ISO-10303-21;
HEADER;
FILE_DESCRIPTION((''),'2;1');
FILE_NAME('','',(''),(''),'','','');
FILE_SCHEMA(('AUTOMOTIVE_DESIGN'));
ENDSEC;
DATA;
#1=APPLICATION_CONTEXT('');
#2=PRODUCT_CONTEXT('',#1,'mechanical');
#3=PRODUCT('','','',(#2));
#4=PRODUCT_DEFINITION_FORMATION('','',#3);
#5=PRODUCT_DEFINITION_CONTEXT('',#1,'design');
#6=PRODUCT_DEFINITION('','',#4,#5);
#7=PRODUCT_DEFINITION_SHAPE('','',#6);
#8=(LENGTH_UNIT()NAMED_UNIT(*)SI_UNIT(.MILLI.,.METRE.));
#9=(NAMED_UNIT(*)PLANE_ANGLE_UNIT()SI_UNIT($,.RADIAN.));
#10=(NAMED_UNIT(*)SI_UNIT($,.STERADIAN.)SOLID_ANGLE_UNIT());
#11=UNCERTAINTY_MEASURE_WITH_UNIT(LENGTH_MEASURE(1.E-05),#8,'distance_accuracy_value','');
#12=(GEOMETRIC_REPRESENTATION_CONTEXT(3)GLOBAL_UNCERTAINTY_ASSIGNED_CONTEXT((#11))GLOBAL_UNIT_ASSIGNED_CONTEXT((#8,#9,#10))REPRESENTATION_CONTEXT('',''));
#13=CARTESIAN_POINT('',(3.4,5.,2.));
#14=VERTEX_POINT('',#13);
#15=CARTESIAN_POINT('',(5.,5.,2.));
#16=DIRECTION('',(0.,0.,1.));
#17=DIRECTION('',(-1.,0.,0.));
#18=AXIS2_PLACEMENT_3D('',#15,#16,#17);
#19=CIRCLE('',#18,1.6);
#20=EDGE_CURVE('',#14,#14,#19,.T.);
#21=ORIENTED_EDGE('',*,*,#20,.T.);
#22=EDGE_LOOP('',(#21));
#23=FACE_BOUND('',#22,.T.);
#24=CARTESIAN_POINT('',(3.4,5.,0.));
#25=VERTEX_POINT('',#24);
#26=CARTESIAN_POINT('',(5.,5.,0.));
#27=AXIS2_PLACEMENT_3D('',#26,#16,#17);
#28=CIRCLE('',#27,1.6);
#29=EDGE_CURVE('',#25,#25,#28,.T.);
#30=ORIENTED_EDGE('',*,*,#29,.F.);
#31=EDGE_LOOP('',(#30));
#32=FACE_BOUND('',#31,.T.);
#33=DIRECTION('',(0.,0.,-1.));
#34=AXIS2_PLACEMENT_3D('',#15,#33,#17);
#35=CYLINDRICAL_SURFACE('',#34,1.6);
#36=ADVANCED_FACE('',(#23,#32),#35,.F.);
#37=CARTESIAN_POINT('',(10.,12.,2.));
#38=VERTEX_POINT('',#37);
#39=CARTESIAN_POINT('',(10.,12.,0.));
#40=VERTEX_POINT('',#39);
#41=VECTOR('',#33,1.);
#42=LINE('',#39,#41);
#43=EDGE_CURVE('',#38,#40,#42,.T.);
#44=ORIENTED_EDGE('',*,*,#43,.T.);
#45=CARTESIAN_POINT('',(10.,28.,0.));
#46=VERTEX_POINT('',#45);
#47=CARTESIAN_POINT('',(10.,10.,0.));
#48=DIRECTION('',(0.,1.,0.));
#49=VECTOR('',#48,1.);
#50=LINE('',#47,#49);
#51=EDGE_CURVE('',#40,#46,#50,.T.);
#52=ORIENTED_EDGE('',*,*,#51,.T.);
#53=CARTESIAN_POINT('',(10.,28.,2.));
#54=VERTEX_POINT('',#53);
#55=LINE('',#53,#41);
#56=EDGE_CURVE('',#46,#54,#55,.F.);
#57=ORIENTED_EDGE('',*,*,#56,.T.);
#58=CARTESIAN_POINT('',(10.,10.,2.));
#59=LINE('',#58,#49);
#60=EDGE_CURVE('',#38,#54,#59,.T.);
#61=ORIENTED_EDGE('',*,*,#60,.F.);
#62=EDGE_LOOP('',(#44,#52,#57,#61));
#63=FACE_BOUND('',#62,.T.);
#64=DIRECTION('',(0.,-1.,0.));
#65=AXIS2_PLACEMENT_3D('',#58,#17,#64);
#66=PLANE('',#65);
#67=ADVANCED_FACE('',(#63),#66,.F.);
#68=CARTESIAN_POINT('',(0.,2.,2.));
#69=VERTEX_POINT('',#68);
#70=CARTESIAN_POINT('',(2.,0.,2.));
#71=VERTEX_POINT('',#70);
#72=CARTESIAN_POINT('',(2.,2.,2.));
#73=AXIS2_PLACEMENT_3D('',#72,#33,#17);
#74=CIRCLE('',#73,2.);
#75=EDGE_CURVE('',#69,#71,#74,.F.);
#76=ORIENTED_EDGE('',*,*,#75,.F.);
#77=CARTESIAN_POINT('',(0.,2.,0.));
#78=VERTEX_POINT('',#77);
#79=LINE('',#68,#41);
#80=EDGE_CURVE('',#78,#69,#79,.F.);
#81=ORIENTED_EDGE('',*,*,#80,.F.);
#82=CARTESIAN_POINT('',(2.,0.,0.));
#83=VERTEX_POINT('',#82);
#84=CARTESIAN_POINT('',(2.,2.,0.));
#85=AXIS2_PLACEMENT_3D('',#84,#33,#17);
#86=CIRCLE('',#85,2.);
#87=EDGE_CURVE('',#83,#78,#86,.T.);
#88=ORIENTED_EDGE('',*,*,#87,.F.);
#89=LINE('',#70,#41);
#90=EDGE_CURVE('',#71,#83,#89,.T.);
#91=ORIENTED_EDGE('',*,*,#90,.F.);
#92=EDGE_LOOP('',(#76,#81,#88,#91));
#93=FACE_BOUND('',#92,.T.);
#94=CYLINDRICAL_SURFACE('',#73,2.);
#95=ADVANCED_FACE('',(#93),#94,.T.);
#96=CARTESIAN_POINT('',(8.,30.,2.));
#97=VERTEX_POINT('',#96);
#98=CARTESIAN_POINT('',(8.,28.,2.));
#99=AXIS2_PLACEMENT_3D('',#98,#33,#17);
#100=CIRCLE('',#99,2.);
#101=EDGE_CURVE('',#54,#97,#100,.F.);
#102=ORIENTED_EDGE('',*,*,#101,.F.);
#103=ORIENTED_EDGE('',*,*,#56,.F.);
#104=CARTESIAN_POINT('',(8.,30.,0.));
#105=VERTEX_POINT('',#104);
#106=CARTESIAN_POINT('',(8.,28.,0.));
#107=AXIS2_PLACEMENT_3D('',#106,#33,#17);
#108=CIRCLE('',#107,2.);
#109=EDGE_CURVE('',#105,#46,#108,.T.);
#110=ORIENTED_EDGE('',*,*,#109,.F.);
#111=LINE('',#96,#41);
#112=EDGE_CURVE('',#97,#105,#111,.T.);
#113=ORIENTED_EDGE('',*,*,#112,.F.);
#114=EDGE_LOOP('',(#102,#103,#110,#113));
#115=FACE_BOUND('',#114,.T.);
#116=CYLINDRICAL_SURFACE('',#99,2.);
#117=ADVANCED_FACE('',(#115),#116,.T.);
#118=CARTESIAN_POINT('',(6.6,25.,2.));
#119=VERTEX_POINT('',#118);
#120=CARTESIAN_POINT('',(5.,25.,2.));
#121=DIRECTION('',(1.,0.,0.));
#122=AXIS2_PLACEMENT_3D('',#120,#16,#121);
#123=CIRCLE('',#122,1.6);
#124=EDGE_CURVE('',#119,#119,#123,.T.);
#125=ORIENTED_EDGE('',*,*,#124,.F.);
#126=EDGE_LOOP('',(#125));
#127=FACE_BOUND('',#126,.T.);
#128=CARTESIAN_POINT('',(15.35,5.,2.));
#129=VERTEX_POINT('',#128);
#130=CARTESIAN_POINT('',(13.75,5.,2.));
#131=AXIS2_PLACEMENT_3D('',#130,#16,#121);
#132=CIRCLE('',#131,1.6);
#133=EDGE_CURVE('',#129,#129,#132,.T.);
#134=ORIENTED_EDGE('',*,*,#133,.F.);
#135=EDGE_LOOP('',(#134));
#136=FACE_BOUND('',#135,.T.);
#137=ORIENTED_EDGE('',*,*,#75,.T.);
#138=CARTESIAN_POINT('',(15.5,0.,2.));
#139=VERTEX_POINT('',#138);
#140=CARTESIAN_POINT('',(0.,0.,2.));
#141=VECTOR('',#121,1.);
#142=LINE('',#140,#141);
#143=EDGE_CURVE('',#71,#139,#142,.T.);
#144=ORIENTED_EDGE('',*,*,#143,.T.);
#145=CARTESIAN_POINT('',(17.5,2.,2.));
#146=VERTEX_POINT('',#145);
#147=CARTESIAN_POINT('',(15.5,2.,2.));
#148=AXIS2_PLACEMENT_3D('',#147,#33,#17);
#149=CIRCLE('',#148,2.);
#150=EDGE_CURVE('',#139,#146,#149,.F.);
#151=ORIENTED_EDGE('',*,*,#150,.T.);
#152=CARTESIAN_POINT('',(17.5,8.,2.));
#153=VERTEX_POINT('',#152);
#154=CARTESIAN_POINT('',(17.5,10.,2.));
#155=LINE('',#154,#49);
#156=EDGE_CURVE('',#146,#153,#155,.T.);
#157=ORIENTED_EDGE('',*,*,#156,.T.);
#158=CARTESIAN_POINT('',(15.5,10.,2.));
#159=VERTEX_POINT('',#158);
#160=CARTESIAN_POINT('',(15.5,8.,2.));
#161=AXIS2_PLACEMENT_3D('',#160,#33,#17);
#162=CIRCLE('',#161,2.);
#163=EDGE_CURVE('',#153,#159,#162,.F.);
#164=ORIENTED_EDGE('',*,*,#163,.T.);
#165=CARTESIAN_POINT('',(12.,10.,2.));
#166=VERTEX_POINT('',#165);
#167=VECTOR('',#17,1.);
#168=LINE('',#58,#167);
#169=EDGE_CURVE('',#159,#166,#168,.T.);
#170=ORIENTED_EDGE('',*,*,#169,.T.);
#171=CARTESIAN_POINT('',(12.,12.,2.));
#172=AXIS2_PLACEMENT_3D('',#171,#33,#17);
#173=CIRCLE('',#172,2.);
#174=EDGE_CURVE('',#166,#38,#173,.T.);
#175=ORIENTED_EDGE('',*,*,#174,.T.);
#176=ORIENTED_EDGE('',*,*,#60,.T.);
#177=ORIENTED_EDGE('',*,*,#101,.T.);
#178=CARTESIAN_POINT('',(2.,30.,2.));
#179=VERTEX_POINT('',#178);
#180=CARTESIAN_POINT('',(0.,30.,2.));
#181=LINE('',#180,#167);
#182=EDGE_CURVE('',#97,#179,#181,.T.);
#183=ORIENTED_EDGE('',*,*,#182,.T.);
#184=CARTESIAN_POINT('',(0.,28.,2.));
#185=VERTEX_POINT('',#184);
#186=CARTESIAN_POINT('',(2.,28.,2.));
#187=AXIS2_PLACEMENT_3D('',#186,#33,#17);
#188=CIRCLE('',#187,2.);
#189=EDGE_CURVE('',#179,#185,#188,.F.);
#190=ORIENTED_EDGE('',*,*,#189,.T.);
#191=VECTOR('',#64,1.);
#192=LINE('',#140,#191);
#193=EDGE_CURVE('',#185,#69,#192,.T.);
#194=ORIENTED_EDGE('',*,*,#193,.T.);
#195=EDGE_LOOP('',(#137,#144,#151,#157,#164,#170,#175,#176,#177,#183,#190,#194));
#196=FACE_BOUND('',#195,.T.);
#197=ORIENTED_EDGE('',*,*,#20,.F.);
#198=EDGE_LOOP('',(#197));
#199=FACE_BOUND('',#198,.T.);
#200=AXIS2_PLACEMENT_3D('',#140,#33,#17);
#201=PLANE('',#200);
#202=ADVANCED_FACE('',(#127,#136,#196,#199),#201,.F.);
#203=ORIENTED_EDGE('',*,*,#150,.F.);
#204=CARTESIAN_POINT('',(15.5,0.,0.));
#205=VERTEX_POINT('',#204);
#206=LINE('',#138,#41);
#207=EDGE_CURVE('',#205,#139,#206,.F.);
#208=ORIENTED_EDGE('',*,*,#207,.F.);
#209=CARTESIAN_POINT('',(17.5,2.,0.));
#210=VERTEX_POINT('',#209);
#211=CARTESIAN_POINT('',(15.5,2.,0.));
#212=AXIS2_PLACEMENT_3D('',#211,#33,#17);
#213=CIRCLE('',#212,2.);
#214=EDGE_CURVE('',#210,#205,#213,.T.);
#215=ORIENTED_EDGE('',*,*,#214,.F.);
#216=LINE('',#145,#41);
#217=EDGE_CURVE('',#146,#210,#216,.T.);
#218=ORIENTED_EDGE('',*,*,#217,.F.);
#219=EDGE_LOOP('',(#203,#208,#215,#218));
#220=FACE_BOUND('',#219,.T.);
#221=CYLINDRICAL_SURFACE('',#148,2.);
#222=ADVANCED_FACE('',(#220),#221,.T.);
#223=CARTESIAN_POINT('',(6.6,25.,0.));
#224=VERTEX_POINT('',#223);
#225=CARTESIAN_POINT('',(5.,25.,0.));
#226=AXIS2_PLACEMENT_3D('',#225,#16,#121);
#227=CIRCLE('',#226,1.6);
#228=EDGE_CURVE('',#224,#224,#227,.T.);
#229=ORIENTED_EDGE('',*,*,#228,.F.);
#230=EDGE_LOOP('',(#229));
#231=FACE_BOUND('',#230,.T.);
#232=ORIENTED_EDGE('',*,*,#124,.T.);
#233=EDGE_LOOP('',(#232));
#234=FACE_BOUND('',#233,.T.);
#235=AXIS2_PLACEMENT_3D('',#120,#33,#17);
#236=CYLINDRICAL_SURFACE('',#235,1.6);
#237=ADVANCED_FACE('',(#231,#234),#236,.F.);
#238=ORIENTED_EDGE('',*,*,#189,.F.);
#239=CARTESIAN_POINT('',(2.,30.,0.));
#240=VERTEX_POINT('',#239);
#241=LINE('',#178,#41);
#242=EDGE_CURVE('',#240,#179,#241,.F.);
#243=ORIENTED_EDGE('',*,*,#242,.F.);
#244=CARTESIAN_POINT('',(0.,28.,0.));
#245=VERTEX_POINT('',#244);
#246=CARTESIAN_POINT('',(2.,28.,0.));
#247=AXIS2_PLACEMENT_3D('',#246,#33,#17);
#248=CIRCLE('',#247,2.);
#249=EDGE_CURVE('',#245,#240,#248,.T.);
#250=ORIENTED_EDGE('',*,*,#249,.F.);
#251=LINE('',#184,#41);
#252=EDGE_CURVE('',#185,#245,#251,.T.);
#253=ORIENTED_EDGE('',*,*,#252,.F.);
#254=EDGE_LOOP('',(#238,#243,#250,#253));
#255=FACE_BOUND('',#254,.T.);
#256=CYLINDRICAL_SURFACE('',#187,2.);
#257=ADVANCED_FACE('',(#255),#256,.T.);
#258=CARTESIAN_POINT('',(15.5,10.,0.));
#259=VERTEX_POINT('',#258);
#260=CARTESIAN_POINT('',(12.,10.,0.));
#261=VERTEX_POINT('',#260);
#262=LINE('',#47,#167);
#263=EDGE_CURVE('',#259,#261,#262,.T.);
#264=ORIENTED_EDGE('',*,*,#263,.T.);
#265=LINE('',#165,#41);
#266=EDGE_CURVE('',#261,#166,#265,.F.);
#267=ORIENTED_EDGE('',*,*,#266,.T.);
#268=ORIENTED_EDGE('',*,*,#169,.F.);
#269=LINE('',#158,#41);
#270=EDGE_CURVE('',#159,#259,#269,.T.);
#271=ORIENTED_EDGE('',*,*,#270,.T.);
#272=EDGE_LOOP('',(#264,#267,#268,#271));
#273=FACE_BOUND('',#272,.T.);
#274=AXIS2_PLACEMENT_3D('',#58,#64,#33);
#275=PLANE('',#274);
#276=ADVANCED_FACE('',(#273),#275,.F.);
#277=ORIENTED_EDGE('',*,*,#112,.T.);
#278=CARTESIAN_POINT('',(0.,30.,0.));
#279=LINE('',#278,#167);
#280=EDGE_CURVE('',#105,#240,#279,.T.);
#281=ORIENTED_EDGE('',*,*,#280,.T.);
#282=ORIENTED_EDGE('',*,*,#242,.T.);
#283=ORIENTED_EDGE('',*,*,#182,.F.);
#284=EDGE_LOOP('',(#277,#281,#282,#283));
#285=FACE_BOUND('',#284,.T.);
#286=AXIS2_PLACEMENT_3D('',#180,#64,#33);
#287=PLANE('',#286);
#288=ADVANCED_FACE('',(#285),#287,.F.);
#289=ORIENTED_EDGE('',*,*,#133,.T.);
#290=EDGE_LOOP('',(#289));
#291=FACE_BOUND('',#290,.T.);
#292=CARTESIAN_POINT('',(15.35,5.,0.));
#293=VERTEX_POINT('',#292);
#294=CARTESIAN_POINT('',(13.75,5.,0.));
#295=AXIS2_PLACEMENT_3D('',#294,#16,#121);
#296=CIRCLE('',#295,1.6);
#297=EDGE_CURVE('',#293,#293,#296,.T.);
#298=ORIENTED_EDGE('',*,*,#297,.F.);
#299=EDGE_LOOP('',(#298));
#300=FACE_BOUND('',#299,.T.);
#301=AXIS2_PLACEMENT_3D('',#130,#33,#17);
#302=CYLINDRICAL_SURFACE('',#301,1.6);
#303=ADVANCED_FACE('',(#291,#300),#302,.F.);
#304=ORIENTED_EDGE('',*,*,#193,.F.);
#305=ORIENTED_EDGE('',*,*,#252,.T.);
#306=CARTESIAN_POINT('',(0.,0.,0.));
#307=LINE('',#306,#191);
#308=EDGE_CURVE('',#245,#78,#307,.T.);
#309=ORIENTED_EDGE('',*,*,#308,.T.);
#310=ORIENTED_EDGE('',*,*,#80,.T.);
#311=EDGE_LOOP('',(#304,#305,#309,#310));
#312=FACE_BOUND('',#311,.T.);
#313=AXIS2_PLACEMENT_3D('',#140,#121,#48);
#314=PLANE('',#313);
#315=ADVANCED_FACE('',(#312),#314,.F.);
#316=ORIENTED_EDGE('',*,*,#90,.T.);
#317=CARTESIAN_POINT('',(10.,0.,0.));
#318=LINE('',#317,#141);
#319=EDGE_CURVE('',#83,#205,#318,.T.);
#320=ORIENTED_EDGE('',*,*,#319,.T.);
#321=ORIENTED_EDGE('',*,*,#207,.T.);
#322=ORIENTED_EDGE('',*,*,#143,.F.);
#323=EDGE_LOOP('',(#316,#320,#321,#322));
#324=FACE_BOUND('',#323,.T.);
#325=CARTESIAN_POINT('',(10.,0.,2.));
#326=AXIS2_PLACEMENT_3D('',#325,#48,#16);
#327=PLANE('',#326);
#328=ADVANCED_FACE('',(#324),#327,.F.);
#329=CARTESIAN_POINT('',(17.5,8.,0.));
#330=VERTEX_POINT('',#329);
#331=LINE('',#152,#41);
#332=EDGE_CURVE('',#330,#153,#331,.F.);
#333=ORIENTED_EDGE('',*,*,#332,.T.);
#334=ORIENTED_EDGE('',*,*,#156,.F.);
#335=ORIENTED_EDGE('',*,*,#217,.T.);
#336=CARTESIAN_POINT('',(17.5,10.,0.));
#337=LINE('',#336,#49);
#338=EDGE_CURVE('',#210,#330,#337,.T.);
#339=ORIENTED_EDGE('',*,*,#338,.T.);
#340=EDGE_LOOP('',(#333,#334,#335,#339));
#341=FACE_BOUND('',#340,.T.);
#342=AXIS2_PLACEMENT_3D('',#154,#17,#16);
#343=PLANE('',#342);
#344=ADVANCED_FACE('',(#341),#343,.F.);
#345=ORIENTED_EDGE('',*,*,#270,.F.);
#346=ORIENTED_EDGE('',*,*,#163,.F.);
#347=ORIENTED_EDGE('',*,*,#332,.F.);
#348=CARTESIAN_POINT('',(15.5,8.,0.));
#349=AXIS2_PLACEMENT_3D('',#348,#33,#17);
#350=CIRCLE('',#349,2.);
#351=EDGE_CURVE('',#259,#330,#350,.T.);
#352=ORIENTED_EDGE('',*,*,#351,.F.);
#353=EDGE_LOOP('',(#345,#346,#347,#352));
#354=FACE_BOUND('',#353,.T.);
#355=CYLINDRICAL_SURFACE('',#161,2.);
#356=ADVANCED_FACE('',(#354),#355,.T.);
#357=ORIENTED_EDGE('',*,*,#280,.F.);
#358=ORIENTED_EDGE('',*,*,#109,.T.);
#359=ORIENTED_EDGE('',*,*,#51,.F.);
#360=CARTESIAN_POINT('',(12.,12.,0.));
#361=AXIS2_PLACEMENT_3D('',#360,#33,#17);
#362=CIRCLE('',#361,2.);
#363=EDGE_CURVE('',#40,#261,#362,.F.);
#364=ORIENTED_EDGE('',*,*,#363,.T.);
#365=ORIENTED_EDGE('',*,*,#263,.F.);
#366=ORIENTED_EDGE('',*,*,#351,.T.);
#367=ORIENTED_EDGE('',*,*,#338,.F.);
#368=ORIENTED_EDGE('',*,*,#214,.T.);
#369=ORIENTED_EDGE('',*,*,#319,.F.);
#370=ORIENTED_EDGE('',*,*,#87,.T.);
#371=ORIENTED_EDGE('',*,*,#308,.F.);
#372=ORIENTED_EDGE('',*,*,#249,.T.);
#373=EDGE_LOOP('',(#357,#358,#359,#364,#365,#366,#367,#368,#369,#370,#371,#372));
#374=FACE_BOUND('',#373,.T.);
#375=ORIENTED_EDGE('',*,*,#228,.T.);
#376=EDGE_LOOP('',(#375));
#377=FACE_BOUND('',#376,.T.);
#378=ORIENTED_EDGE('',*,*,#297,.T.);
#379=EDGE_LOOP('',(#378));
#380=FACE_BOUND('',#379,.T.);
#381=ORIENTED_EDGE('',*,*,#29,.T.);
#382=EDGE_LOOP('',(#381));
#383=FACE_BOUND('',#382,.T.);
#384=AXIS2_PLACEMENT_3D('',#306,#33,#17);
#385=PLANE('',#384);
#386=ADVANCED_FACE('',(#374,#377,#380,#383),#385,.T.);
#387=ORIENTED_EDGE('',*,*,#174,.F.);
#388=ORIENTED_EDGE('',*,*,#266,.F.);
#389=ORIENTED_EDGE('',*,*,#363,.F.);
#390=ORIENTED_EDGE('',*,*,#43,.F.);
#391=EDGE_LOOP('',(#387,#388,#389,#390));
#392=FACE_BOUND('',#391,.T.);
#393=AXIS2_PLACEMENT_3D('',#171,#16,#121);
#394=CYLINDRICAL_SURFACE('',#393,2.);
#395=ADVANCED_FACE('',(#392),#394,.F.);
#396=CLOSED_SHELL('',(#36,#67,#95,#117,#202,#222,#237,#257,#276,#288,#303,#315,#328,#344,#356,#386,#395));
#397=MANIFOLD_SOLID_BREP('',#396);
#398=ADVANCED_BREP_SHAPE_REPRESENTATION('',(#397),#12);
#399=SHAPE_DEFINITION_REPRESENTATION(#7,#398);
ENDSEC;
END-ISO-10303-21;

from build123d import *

# Parameters (mm, degrees)
SKETCH_1_R      = 1.6
EXTRUDE_1_DEPTH = 2
FILLET_2_R      = 2


with BuildPart() as part:
    # ｽｹｯﾁ1 → ﾎﾞｽ - 押し出し1 (new body)
    with BuildSketch(Plane.XY):
        Polygon((0, 0), (10, 0), (17.5, 0), (17.5, 10), (10, 10), (10, 30), (0, 30), align=None)
        with Locations((5, 25)):
            Circle(SKETCH_1_R, mode=Mode.SUBTRACT)
        with Locations(Location((5, 5, 0), (0, 0, 180))):
            Circle(SKETCH_1_R, mode=Mode.SUBTRACT)
        with Locations((13.75, 5)):
            Circle(SKETCH_1_R, mode=Mode.SUBTRACT)
    extrude(amount=EXTRUDE_1_DEPTH)

    # ﾌｨﾚｯﾄ2
    fillet_2_edges = [part.edges().sort_by_distance(p)[0] for p in [
        (0, 30, 1),
        (10, 30, 1),
        (10, 10, 1),
        (17.5, 10, 1),
        (17.5, 0, 1),
        (0, 0, 1),
    ]]
    fillet(fillet_2_edges, radius=FILLET_2_R)


solid = part.part
